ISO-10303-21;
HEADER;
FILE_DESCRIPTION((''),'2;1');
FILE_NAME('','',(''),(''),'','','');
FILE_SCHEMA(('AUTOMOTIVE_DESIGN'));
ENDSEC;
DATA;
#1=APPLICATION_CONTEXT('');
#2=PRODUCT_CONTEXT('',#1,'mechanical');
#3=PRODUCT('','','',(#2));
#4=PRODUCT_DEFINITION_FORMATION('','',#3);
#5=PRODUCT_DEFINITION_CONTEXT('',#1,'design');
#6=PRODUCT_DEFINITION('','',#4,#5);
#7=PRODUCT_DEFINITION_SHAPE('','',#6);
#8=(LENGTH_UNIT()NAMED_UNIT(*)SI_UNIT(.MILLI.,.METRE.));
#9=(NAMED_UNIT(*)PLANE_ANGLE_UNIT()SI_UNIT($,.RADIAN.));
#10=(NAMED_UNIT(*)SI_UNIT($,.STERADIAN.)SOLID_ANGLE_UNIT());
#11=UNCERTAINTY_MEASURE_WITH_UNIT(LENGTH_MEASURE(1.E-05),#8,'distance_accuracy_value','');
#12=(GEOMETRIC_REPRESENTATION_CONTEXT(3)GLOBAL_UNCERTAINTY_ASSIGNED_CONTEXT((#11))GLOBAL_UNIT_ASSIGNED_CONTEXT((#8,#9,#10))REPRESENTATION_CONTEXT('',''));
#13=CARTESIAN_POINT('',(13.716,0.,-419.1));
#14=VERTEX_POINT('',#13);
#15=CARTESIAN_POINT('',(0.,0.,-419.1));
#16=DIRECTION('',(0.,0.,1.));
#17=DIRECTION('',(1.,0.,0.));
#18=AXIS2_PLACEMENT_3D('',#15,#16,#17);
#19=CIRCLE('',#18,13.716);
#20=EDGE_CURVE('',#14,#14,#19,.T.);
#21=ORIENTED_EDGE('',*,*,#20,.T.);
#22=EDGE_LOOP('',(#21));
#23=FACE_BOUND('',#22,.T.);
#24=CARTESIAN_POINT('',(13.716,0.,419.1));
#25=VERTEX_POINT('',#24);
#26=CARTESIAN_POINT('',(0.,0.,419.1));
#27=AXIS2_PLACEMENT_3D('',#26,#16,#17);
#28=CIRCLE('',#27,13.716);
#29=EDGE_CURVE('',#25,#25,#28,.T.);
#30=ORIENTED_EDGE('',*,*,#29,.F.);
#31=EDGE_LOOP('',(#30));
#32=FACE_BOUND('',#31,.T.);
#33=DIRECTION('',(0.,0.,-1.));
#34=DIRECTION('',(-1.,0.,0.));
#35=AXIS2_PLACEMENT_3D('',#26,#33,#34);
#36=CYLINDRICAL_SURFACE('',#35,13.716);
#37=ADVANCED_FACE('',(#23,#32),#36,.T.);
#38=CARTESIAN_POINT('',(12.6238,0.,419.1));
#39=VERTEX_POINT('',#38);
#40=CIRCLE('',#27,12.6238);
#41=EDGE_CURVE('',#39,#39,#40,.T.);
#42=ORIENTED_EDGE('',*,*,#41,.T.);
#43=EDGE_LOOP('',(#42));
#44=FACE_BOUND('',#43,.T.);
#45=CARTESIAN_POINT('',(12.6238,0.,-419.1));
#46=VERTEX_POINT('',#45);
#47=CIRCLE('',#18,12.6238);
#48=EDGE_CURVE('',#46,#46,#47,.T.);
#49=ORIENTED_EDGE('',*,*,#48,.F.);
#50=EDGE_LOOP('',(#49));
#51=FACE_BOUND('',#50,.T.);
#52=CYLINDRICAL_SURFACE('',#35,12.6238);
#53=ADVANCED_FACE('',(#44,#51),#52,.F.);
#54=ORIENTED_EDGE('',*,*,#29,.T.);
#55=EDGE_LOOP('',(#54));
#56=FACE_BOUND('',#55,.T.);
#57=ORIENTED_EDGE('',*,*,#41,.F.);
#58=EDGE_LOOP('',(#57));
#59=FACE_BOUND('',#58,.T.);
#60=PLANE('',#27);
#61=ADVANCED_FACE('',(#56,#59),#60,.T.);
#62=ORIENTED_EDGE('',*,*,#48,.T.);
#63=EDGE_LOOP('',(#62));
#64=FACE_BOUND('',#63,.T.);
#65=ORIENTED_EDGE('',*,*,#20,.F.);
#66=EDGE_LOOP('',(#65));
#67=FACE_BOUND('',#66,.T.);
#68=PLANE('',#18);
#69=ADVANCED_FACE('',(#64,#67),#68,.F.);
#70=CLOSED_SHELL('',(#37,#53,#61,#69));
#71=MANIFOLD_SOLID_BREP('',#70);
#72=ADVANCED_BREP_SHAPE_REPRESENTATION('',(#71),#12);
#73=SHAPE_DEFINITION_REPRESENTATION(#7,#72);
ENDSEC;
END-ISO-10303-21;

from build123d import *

# Parameters (mm, degrees)
SKETCH1_R           = 13.716
SKETCH1_R_2         = 12.6238
EXTRUDE_THIN1_DEPTH = 419.1


with BuildPart() as part:
    # Sketch1 → Extrude-Thin1 (new body, symmetric)
    with BuildSketch(Plane.XY):
        Circle(SKETCH1_R)
        Circle(SKETCH1_R_2, mode=Mode.SUBTRACT)
    extrude(amount=EXTRUDE_THIN1_DEPTH, both=True)


solid = part.part
